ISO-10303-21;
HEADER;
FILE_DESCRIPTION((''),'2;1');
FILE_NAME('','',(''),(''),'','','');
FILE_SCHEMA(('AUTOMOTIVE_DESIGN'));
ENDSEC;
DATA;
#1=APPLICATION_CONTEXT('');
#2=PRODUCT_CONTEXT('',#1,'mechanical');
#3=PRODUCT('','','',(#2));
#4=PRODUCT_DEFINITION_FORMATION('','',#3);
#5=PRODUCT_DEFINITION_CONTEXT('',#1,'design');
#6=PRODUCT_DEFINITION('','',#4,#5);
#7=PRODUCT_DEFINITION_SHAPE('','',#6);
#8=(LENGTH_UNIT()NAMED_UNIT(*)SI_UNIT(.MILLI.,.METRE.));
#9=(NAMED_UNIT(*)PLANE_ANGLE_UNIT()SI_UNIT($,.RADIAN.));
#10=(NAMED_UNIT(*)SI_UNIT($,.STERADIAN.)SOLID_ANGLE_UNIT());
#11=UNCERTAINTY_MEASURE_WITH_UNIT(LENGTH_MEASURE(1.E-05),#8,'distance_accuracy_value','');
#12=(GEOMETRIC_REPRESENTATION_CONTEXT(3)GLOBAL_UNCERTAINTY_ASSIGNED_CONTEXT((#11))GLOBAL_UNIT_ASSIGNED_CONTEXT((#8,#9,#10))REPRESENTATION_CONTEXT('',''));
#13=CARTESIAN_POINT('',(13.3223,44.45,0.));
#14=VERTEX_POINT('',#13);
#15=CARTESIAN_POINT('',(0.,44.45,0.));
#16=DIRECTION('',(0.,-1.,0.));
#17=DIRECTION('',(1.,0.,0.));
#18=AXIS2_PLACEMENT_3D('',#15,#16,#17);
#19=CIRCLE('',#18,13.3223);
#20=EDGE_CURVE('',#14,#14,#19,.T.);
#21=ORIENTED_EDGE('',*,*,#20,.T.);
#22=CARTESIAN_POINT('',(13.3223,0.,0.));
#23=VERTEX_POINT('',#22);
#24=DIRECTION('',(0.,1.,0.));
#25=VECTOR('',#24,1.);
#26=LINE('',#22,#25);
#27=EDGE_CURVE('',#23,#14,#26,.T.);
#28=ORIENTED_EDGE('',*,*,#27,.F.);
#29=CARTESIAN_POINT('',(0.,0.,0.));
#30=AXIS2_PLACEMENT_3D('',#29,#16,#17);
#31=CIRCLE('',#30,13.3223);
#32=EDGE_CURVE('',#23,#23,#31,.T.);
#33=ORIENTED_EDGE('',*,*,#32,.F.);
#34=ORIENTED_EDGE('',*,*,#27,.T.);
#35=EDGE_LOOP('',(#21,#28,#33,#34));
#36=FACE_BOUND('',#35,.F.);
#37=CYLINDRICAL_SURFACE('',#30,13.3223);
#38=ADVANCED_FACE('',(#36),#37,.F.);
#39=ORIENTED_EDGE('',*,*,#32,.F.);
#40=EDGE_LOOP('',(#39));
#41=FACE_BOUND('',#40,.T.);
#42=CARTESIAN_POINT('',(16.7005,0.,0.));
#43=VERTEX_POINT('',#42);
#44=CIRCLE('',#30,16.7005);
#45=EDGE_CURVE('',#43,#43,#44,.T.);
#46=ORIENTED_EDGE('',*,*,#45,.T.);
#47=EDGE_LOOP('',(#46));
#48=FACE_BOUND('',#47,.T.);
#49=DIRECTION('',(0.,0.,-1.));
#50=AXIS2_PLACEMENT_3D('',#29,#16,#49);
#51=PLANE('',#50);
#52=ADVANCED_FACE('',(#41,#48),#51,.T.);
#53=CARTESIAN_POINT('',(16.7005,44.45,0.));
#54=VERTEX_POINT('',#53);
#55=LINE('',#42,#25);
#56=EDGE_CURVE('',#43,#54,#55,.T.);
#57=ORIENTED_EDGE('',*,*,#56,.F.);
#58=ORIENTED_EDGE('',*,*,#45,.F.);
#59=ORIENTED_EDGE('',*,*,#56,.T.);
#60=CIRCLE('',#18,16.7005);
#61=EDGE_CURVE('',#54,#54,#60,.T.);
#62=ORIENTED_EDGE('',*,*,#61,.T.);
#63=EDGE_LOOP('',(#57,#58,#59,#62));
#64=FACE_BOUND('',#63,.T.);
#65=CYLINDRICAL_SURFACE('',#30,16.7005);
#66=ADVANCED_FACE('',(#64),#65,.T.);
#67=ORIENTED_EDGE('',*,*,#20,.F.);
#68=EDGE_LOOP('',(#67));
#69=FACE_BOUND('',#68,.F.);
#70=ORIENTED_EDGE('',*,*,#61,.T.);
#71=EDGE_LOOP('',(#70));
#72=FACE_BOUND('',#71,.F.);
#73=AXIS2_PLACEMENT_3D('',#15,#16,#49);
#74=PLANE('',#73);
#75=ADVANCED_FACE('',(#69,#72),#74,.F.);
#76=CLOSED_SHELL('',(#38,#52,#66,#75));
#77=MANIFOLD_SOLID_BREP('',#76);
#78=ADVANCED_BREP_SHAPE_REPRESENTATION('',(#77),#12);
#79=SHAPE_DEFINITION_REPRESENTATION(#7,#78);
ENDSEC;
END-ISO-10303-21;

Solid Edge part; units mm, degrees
sketch "Sketch1" plane through (0, 0, 0) normal (0, -1, 0) x (1, 0, 0)
  circle A0 centre (0, 0) radius 13.3223
  circle A1 centre (0, 0) radius 16.7005
  dimension "D1" = 33.401
  dimension "D2" = 3.3782
  dimension "D3" = 53.2892
extrude "Protrusion1" add sketch "Sketch1" against normal blind 44.45
